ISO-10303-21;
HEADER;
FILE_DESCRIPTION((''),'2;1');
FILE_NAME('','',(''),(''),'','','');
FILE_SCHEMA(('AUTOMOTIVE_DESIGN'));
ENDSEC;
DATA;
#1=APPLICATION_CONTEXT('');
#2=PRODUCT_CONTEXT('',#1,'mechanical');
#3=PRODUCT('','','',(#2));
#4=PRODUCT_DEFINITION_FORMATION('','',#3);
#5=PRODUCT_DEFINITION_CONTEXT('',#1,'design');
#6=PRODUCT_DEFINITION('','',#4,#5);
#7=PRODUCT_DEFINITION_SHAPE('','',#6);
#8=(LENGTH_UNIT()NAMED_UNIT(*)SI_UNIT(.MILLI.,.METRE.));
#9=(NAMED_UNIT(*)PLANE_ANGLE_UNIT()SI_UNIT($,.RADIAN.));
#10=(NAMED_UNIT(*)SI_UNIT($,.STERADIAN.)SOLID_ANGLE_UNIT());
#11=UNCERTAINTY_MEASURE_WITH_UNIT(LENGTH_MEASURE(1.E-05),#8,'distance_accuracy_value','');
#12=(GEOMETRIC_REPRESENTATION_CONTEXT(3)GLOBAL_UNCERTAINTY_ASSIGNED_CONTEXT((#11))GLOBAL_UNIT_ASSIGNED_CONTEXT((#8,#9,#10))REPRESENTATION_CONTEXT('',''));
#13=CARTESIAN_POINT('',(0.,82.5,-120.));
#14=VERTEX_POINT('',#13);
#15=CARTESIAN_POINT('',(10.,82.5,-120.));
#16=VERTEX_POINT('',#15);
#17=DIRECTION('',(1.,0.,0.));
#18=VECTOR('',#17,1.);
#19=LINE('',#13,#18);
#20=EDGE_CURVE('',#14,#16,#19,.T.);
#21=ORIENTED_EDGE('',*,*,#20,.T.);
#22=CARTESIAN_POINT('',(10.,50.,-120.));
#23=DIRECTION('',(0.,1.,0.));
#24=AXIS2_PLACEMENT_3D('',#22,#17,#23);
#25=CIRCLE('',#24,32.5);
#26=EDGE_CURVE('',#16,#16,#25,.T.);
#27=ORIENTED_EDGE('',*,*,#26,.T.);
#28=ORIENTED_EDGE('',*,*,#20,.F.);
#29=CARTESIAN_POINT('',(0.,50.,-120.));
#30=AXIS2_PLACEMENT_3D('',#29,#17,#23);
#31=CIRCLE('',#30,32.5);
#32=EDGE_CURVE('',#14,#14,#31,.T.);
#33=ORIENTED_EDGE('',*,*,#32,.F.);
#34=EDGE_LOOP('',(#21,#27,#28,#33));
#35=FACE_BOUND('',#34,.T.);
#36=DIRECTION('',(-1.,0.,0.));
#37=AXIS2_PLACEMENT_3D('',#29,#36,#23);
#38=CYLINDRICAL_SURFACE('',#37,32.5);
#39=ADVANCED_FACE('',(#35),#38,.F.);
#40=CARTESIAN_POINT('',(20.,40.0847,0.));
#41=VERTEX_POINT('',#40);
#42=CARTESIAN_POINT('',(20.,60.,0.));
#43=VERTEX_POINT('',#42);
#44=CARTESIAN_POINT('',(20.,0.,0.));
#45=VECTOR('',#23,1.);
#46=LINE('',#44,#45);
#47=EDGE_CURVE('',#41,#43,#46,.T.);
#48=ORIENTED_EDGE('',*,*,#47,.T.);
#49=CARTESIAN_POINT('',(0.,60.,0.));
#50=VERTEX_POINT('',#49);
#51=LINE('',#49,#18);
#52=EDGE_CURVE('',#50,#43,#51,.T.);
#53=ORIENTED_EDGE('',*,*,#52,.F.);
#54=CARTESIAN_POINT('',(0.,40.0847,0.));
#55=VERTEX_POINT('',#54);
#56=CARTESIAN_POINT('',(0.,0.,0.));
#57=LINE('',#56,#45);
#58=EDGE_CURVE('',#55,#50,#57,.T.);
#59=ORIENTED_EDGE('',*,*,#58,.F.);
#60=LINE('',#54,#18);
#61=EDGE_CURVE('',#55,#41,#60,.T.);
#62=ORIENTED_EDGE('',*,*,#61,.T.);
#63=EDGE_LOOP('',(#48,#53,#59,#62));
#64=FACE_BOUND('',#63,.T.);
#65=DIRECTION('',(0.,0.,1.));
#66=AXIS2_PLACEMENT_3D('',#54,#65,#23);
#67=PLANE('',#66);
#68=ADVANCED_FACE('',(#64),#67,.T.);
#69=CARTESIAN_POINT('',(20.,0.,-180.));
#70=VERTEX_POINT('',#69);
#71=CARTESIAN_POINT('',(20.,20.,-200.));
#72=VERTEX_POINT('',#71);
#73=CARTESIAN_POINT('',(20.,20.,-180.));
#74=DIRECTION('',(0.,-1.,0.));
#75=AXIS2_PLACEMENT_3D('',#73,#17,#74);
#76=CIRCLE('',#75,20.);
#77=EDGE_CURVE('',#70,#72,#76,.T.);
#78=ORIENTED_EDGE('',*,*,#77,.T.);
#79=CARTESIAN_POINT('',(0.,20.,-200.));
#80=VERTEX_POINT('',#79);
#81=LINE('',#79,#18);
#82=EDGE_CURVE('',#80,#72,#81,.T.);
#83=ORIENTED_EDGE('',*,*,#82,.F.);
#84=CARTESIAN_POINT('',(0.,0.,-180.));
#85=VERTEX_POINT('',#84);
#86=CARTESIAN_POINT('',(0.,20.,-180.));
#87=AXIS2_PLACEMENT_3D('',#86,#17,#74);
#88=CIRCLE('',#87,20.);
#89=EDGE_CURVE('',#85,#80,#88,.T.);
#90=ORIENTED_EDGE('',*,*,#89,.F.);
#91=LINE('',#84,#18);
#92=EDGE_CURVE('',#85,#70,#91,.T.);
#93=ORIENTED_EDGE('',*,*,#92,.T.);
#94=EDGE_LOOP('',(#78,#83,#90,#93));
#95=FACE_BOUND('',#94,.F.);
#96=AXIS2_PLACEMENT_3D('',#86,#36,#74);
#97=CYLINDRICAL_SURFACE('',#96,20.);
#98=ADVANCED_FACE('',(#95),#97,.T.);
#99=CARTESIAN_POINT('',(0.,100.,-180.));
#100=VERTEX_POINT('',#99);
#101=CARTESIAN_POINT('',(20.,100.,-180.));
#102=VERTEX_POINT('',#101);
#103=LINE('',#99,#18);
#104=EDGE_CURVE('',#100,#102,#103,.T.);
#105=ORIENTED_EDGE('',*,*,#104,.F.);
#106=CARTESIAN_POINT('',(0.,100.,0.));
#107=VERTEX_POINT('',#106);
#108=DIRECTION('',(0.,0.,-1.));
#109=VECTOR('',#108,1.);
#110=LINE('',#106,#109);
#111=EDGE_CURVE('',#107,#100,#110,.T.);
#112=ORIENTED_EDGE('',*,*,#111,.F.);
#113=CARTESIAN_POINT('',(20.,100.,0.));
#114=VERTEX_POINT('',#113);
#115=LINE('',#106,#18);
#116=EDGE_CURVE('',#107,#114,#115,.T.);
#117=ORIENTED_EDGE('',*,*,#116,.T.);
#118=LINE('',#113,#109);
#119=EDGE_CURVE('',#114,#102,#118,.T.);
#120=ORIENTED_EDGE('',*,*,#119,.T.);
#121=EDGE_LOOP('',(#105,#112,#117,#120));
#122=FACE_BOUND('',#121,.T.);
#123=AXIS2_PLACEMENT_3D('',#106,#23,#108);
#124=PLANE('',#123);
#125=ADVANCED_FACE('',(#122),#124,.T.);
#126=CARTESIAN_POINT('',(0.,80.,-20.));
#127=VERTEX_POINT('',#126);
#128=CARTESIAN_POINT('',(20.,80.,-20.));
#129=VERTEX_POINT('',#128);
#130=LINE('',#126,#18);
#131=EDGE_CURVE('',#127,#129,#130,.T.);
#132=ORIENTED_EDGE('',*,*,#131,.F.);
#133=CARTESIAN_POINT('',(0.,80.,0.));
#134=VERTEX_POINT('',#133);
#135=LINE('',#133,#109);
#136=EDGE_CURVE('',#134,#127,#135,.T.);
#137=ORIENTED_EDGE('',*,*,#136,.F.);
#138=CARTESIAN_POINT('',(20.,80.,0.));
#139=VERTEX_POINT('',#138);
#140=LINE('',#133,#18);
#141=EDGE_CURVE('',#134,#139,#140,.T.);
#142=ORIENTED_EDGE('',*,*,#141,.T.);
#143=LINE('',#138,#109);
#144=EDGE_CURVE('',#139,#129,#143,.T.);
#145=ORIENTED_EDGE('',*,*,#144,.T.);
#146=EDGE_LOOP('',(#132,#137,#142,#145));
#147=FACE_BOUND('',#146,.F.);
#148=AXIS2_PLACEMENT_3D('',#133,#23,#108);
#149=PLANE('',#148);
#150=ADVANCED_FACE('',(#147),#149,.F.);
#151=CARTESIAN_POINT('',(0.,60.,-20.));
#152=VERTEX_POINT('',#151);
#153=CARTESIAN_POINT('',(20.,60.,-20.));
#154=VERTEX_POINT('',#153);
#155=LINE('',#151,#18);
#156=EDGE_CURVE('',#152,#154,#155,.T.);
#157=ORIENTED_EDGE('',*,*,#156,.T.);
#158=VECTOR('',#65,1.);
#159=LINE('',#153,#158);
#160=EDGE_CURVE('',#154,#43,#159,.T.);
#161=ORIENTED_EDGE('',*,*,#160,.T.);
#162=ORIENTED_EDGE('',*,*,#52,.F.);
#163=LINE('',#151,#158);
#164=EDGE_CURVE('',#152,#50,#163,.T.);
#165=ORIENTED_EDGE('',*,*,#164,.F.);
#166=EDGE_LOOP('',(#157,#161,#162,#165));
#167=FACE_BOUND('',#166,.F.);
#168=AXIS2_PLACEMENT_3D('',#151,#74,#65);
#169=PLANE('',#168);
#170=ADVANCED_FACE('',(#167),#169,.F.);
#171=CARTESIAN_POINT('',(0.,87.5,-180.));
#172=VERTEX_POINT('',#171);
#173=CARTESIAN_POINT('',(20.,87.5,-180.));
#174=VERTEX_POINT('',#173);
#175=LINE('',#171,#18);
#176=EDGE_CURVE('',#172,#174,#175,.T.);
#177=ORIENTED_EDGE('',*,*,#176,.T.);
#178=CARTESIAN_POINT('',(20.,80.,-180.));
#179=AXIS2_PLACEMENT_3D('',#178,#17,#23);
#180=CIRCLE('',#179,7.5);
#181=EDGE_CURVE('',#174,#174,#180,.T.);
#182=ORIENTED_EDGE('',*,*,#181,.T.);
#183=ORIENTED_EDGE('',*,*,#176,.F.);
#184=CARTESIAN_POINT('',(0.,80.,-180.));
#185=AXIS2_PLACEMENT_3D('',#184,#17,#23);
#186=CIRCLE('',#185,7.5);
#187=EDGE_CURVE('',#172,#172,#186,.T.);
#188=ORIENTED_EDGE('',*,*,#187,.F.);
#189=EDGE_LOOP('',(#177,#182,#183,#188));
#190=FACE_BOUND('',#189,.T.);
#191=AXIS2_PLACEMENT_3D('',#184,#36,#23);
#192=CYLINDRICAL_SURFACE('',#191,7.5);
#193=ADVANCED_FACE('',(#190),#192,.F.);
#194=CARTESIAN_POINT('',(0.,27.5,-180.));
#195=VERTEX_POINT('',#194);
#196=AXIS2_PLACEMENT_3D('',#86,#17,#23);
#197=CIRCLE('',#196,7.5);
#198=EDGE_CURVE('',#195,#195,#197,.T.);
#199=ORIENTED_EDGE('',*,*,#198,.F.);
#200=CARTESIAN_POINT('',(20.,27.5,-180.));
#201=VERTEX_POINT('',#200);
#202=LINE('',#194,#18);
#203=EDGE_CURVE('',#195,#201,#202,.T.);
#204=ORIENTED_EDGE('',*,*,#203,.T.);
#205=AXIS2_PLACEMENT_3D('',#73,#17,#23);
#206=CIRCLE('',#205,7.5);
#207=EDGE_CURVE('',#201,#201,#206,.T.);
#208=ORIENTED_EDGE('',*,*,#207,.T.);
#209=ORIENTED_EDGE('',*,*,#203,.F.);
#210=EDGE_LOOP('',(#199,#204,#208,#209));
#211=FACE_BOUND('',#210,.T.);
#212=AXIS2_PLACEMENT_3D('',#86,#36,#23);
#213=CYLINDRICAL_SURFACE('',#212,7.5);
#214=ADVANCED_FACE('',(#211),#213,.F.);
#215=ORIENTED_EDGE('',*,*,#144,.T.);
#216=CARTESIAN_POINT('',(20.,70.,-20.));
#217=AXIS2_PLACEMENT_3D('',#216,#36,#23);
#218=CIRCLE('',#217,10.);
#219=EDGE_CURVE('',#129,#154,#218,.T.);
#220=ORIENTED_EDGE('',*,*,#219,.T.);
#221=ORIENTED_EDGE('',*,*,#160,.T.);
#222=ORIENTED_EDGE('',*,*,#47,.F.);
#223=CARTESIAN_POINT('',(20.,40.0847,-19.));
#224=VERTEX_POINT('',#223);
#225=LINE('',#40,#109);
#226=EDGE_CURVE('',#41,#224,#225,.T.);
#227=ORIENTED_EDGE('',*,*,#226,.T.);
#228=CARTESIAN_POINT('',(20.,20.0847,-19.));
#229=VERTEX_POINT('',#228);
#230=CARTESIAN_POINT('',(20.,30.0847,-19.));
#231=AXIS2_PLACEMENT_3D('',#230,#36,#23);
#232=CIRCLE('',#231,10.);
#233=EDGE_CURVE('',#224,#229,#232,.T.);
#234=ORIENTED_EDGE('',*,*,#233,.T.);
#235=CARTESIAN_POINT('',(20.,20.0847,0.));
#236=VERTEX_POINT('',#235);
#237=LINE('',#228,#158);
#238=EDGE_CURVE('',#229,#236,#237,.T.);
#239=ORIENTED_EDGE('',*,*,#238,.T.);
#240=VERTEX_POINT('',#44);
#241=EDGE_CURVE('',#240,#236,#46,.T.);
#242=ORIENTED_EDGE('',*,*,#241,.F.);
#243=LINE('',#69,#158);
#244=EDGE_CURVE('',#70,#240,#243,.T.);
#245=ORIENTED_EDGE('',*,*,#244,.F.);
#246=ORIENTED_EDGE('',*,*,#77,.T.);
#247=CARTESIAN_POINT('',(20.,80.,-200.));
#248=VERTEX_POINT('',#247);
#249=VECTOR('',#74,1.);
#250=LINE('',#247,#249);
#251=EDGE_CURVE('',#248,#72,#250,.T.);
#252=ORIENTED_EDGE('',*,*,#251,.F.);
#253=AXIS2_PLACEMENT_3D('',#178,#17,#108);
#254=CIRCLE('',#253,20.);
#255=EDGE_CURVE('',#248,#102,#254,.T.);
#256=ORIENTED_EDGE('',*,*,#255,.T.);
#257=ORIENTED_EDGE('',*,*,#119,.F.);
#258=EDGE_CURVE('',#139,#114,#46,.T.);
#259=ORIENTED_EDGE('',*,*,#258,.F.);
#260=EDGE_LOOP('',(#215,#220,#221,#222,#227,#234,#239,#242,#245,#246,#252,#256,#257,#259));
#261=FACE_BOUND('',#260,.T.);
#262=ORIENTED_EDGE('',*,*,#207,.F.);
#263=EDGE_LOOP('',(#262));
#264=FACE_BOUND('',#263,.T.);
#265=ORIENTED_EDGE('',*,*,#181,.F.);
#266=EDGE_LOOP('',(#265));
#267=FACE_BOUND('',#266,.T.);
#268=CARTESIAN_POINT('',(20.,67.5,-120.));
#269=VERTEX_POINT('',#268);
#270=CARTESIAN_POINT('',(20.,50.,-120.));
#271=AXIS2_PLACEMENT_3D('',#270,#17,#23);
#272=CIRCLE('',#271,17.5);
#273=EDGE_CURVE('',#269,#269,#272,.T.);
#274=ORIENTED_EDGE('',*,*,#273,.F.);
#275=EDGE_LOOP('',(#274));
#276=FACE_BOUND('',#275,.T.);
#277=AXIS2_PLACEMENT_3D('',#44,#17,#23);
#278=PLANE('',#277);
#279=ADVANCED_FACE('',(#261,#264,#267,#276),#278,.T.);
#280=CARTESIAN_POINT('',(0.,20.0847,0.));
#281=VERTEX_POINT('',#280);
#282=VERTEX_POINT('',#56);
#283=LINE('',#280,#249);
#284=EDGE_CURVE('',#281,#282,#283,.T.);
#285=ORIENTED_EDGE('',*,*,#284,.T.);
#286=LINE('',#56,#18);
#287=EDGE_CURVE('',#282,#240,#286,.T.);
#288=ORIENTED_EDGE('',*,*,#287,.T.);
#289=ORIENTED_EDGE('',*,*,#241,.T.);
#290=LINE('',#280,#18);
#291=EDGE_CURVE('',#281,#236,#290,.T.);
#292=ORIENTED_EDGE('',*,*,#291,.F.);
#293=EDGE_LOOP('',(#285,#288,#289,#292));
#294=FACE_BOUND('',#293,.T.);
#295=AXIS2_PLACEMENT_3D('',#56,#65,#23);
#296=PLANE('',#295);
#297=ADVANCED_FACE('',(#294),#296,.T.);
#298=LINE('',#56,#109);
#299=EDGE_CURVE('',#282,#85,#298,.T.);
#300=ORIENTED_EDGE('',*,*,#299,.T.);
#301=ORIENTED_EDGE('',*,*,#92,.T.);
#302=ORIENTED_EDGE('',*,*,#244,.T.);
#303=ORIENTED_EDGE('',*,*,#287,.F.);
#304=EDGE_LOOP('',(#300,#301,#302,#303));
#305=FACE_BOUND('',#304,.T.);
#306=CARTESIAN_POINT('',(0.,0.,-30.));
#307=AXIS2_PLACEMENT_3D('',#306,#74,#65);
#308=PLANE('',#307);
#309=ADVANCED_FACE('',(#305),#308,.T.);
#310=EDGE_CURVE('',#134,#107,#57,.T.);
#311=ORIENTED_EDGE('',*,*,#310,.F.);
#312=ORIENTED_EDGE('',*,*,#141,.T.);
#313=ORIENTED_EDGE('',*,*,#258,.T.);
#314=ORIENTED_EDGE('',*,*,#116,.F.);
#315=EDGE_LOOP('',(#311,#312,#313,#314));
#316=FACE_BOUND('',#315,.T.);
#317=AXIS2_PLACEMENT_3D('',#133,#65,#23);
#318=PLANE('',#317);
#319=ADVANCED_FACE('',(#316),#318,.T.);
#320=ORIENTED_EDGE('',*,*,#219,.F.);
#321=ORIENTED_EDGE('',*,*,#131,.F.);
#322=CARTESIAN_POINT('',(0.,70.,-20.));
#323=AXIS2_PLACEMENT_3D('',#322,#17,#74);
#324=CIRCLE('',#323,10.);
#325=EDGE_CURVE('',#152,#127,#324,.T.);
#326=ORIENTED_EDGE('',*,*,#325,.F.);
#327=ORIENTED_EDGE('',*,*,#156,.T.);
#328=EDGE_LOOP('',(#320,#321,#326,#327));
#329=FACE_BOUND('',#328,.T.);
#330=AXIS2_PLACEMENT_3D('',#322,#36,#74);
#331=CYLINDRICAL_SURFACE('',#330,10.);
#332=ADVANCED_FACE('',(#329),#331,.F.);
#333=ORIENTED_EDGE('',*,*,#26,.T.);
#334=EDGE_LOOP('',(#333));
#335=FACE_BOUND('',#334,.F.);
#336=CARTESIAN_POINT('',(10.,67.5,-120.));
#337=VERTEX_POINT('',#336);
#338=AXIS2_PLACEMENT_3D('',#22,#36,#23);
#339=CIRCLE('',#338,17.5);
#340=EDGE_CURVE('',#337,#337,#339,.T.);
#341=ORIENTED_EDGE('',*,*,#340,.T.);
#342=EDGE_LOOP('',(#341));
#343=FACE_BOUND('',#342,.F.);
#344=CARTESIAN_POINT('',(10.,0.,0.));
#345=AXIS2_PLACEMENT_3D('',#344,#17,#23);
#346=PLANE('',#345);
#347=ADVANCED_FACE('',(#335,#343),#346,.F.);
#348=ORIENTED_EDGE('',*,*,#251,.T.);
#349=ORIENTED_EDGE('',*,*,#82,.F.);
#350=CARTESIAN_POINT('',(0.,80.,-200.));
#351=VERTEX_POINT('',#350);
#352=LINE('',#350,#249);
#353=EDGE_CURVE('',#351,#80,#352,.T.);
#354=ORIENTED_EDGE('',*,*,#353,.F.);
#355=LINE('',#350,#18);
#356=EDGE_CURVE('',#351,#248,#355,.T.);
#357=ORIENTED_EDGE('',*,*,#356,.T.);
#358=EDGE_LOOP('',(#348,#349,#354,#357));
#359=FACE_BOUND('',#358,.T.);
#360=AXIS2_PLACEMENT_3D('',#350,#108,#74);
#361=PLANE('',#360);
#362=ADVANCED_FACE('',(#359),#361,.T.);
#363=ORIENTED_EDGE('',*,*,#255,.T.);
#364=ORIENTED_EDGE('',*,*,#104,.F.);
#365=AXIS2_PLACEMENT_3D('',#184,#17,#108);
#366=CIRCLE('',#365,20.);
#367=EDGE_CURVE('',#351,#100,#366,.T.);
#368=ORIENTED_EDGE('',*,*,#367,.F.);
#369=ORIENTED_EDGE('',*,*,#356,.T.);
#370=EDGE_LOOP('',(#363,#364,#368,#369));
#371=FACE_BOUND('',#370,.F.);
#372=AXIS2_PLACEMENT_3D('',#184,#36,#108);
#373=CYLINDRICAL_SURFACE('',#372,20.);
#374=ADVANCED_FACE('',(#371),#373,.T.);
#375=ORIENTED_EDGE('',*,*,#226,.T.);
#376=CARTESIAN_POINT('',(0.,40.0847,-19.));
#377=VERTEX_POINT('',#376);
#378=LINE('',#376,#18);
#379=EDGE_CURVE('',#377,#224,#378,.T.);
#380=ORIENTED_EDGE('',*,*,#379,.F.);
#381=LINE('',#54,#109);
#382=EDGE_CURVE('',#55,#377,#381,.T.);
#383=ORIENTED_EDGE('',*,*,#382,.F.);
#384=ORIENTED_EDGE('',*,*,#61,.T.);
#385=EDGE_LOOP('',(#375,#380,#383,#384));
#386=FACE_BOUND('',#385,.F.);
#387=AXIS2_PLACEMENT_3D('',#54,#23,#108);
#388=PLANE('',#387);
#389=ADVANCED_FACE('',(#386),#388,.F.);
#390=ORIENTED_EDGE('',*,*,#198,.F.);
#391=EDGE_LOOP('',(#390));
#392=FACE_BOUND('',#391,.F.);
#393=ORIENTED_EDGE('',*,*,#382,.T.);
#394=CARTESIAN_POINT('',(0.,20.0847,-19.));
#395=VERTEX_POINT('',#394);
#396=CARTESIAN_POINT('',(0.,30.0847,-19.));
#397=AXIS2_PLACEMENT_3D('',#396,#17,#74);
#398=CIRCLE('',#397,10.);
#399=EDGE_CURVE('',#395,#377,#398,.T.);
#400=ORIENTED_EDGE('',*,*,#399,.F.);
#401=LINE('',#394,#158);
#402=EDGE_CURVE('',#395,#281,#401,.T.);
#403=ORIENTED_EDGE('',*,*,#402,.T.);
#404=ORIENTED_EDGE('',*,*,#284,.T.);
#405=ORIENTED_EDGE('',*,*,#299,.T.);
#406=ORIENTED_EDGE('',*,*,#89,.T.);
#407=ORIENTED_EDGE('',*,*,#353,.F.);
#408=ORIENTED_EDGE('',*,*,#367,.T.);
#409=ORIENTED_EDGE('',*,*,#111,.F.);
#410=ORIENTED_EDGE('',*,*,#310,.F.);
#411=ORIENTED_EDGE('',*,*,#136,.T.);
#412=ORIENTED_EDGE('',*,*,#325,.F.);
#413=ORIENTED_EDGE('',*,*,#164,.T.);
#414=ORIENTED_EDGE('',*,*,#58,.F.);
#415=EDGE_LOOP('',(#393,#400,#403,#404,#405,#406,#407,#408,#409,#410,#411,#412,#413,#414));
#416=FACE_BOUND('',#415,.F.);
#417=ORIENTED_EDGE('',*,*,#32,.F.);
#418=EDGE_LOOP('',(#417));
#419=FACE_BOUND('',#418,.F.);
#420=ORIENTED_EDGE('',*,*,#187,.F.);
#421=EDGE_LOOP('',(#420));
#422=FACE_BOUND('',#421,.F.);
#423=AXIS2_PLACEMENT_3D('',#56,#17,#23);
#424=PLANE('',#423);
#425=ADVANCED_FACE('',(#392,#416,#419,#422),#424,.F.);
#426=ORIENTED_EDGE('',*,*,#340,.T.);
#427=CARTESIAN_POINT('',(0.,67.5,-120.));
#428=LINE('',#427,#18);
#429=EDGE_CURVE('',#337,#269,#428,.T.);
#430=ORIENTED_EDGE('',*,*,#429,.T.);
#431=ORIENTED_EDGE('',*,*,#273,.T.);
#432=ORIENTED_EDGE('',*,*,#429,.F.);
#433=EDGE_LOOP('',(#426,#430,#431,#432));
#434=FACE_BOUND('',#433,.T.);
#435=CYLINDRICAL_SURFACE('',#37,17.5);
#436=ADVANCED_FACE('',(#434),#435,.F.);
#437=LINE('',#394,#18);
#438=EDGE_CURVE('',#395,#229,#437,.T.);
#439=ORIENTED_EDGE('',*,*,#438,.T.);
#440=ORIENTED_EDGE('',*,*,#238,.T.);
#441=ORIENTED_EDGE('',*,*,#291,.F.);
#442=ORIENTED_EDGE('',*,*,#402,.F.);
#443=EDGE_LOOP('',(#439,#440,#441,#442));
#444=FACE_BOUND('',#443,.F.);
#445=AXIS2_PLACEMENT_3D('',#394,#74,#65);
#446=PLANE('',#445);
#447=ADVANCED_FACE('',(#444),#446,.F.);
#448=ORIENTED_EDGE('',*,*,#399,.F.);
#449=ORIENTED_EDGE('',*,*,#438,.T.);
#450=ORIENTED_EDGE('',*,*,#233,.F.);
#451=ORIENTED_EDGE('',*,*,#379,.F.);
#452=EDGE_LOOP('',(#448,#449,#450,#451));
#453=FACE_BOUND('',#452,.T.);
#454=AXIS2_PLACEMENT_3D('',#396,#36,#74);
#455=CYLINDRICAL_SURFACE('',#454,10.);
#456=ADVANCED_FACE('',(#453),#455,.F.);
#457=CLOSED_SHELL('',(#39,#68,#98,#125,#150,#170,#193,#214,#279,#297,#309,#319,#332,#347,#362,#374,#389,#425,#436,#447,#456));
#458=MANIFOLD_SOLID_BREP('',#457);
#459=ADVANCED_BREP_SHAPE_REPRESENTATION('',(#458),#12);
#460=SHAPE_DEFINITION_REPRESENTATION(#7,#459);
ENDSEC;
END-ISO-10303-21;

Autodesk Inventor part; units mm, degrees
ref_plane "YZ Plane" through (0, 0, 0) normal (1, 0, 0) x (0, 1, 0)
ref_plane "XZ Plane" through (0, 0, 0) normal (0, 1, 0) x (-1, 0, 0)
ref_plane "XY Plane" through (0, 0, 0) normal (0, 0, 1) x (1, 0, 0)
sketch "Sketch1" plane through (0, 0, 0) normal (1, 0, 0) x (0, 1, 0)
  line L0 (0, 0) -> (10.3831, 0)
  line L1 (0, 0) -> (12.9478, 0)
  line L2 (0, 0) -> (100, 0)
  line L3 (100, 0) -> (100, -180)
  line L4 (80, -200) -> (20, -200)
  line L5 (0, -180) -> (0, 0)
  line L6 (20.0847, 0) -> (40.0847, 0)
  line L7 (60, 0) -> (80, 0)
  line L8 (80, 0) -> (80, -20)
  line L9 (70, -30) -> (70, -30)
  line L10 (60, -20) -> (60, 0)
  line L11 (40.0847, 0) -> (40.0847, -19)
  line L12 (30.0847, -29) -> (30.0847, -29)
  line L13 (0, 0) -> (0, -30)
  line L14 (20.0847, -19) -> (20.0847, 0)
  arc A0 (80, -200) -> (100, -180) centre (80, -180) ccw
  arc A1 (0, -180) -> (20, -200) centre (20, -180) ccw
  arc A2 (30.0847, -29) -> (40.0847, -19) centre (30.0847, -19) ccw
  arc A3 (20.0847, -19) -> (30.0847, -29) centre (30.0847, -19) ccw
  arc A4 (60, -20) -> (70, -30) centre (70, -20) ccw
  arc A5 (70, -30) -> (80, -20) centre (70, -20) ccw
  circle A6 centre (80, -180) radius 7.5
  circle A7 centre (20, -180) radius 7.5
  circle A8 centre (50, -120) radius 17.5
  circle A9 centre (50, -120) radius 32.5
  point P0 (100, -200)
  point P1 (0, -200)
  dimension "d0" = 100
  dimension "d1" = 200
  dimension "d10" = 20
  dimension "d16" = 20
  dimension "d23" = 15
  dimension "d24" = 35
  dimension "d25" = 65
  dimension "d26" = 50
  dimension "d31" = 80
extrude "Extrusion1" add sketch "Sketch1" along normal blind 20 contours L0 L1 L2 L14 A3 A2 L11 L10 A4 A5 L8 L3 A0 L4 A1 L5 | A9
extrude "Extrusion2" cut sketch "Sketch1" along normal blind 10 contours A8 | A9
properties part number "Wkp 01.03.1"
